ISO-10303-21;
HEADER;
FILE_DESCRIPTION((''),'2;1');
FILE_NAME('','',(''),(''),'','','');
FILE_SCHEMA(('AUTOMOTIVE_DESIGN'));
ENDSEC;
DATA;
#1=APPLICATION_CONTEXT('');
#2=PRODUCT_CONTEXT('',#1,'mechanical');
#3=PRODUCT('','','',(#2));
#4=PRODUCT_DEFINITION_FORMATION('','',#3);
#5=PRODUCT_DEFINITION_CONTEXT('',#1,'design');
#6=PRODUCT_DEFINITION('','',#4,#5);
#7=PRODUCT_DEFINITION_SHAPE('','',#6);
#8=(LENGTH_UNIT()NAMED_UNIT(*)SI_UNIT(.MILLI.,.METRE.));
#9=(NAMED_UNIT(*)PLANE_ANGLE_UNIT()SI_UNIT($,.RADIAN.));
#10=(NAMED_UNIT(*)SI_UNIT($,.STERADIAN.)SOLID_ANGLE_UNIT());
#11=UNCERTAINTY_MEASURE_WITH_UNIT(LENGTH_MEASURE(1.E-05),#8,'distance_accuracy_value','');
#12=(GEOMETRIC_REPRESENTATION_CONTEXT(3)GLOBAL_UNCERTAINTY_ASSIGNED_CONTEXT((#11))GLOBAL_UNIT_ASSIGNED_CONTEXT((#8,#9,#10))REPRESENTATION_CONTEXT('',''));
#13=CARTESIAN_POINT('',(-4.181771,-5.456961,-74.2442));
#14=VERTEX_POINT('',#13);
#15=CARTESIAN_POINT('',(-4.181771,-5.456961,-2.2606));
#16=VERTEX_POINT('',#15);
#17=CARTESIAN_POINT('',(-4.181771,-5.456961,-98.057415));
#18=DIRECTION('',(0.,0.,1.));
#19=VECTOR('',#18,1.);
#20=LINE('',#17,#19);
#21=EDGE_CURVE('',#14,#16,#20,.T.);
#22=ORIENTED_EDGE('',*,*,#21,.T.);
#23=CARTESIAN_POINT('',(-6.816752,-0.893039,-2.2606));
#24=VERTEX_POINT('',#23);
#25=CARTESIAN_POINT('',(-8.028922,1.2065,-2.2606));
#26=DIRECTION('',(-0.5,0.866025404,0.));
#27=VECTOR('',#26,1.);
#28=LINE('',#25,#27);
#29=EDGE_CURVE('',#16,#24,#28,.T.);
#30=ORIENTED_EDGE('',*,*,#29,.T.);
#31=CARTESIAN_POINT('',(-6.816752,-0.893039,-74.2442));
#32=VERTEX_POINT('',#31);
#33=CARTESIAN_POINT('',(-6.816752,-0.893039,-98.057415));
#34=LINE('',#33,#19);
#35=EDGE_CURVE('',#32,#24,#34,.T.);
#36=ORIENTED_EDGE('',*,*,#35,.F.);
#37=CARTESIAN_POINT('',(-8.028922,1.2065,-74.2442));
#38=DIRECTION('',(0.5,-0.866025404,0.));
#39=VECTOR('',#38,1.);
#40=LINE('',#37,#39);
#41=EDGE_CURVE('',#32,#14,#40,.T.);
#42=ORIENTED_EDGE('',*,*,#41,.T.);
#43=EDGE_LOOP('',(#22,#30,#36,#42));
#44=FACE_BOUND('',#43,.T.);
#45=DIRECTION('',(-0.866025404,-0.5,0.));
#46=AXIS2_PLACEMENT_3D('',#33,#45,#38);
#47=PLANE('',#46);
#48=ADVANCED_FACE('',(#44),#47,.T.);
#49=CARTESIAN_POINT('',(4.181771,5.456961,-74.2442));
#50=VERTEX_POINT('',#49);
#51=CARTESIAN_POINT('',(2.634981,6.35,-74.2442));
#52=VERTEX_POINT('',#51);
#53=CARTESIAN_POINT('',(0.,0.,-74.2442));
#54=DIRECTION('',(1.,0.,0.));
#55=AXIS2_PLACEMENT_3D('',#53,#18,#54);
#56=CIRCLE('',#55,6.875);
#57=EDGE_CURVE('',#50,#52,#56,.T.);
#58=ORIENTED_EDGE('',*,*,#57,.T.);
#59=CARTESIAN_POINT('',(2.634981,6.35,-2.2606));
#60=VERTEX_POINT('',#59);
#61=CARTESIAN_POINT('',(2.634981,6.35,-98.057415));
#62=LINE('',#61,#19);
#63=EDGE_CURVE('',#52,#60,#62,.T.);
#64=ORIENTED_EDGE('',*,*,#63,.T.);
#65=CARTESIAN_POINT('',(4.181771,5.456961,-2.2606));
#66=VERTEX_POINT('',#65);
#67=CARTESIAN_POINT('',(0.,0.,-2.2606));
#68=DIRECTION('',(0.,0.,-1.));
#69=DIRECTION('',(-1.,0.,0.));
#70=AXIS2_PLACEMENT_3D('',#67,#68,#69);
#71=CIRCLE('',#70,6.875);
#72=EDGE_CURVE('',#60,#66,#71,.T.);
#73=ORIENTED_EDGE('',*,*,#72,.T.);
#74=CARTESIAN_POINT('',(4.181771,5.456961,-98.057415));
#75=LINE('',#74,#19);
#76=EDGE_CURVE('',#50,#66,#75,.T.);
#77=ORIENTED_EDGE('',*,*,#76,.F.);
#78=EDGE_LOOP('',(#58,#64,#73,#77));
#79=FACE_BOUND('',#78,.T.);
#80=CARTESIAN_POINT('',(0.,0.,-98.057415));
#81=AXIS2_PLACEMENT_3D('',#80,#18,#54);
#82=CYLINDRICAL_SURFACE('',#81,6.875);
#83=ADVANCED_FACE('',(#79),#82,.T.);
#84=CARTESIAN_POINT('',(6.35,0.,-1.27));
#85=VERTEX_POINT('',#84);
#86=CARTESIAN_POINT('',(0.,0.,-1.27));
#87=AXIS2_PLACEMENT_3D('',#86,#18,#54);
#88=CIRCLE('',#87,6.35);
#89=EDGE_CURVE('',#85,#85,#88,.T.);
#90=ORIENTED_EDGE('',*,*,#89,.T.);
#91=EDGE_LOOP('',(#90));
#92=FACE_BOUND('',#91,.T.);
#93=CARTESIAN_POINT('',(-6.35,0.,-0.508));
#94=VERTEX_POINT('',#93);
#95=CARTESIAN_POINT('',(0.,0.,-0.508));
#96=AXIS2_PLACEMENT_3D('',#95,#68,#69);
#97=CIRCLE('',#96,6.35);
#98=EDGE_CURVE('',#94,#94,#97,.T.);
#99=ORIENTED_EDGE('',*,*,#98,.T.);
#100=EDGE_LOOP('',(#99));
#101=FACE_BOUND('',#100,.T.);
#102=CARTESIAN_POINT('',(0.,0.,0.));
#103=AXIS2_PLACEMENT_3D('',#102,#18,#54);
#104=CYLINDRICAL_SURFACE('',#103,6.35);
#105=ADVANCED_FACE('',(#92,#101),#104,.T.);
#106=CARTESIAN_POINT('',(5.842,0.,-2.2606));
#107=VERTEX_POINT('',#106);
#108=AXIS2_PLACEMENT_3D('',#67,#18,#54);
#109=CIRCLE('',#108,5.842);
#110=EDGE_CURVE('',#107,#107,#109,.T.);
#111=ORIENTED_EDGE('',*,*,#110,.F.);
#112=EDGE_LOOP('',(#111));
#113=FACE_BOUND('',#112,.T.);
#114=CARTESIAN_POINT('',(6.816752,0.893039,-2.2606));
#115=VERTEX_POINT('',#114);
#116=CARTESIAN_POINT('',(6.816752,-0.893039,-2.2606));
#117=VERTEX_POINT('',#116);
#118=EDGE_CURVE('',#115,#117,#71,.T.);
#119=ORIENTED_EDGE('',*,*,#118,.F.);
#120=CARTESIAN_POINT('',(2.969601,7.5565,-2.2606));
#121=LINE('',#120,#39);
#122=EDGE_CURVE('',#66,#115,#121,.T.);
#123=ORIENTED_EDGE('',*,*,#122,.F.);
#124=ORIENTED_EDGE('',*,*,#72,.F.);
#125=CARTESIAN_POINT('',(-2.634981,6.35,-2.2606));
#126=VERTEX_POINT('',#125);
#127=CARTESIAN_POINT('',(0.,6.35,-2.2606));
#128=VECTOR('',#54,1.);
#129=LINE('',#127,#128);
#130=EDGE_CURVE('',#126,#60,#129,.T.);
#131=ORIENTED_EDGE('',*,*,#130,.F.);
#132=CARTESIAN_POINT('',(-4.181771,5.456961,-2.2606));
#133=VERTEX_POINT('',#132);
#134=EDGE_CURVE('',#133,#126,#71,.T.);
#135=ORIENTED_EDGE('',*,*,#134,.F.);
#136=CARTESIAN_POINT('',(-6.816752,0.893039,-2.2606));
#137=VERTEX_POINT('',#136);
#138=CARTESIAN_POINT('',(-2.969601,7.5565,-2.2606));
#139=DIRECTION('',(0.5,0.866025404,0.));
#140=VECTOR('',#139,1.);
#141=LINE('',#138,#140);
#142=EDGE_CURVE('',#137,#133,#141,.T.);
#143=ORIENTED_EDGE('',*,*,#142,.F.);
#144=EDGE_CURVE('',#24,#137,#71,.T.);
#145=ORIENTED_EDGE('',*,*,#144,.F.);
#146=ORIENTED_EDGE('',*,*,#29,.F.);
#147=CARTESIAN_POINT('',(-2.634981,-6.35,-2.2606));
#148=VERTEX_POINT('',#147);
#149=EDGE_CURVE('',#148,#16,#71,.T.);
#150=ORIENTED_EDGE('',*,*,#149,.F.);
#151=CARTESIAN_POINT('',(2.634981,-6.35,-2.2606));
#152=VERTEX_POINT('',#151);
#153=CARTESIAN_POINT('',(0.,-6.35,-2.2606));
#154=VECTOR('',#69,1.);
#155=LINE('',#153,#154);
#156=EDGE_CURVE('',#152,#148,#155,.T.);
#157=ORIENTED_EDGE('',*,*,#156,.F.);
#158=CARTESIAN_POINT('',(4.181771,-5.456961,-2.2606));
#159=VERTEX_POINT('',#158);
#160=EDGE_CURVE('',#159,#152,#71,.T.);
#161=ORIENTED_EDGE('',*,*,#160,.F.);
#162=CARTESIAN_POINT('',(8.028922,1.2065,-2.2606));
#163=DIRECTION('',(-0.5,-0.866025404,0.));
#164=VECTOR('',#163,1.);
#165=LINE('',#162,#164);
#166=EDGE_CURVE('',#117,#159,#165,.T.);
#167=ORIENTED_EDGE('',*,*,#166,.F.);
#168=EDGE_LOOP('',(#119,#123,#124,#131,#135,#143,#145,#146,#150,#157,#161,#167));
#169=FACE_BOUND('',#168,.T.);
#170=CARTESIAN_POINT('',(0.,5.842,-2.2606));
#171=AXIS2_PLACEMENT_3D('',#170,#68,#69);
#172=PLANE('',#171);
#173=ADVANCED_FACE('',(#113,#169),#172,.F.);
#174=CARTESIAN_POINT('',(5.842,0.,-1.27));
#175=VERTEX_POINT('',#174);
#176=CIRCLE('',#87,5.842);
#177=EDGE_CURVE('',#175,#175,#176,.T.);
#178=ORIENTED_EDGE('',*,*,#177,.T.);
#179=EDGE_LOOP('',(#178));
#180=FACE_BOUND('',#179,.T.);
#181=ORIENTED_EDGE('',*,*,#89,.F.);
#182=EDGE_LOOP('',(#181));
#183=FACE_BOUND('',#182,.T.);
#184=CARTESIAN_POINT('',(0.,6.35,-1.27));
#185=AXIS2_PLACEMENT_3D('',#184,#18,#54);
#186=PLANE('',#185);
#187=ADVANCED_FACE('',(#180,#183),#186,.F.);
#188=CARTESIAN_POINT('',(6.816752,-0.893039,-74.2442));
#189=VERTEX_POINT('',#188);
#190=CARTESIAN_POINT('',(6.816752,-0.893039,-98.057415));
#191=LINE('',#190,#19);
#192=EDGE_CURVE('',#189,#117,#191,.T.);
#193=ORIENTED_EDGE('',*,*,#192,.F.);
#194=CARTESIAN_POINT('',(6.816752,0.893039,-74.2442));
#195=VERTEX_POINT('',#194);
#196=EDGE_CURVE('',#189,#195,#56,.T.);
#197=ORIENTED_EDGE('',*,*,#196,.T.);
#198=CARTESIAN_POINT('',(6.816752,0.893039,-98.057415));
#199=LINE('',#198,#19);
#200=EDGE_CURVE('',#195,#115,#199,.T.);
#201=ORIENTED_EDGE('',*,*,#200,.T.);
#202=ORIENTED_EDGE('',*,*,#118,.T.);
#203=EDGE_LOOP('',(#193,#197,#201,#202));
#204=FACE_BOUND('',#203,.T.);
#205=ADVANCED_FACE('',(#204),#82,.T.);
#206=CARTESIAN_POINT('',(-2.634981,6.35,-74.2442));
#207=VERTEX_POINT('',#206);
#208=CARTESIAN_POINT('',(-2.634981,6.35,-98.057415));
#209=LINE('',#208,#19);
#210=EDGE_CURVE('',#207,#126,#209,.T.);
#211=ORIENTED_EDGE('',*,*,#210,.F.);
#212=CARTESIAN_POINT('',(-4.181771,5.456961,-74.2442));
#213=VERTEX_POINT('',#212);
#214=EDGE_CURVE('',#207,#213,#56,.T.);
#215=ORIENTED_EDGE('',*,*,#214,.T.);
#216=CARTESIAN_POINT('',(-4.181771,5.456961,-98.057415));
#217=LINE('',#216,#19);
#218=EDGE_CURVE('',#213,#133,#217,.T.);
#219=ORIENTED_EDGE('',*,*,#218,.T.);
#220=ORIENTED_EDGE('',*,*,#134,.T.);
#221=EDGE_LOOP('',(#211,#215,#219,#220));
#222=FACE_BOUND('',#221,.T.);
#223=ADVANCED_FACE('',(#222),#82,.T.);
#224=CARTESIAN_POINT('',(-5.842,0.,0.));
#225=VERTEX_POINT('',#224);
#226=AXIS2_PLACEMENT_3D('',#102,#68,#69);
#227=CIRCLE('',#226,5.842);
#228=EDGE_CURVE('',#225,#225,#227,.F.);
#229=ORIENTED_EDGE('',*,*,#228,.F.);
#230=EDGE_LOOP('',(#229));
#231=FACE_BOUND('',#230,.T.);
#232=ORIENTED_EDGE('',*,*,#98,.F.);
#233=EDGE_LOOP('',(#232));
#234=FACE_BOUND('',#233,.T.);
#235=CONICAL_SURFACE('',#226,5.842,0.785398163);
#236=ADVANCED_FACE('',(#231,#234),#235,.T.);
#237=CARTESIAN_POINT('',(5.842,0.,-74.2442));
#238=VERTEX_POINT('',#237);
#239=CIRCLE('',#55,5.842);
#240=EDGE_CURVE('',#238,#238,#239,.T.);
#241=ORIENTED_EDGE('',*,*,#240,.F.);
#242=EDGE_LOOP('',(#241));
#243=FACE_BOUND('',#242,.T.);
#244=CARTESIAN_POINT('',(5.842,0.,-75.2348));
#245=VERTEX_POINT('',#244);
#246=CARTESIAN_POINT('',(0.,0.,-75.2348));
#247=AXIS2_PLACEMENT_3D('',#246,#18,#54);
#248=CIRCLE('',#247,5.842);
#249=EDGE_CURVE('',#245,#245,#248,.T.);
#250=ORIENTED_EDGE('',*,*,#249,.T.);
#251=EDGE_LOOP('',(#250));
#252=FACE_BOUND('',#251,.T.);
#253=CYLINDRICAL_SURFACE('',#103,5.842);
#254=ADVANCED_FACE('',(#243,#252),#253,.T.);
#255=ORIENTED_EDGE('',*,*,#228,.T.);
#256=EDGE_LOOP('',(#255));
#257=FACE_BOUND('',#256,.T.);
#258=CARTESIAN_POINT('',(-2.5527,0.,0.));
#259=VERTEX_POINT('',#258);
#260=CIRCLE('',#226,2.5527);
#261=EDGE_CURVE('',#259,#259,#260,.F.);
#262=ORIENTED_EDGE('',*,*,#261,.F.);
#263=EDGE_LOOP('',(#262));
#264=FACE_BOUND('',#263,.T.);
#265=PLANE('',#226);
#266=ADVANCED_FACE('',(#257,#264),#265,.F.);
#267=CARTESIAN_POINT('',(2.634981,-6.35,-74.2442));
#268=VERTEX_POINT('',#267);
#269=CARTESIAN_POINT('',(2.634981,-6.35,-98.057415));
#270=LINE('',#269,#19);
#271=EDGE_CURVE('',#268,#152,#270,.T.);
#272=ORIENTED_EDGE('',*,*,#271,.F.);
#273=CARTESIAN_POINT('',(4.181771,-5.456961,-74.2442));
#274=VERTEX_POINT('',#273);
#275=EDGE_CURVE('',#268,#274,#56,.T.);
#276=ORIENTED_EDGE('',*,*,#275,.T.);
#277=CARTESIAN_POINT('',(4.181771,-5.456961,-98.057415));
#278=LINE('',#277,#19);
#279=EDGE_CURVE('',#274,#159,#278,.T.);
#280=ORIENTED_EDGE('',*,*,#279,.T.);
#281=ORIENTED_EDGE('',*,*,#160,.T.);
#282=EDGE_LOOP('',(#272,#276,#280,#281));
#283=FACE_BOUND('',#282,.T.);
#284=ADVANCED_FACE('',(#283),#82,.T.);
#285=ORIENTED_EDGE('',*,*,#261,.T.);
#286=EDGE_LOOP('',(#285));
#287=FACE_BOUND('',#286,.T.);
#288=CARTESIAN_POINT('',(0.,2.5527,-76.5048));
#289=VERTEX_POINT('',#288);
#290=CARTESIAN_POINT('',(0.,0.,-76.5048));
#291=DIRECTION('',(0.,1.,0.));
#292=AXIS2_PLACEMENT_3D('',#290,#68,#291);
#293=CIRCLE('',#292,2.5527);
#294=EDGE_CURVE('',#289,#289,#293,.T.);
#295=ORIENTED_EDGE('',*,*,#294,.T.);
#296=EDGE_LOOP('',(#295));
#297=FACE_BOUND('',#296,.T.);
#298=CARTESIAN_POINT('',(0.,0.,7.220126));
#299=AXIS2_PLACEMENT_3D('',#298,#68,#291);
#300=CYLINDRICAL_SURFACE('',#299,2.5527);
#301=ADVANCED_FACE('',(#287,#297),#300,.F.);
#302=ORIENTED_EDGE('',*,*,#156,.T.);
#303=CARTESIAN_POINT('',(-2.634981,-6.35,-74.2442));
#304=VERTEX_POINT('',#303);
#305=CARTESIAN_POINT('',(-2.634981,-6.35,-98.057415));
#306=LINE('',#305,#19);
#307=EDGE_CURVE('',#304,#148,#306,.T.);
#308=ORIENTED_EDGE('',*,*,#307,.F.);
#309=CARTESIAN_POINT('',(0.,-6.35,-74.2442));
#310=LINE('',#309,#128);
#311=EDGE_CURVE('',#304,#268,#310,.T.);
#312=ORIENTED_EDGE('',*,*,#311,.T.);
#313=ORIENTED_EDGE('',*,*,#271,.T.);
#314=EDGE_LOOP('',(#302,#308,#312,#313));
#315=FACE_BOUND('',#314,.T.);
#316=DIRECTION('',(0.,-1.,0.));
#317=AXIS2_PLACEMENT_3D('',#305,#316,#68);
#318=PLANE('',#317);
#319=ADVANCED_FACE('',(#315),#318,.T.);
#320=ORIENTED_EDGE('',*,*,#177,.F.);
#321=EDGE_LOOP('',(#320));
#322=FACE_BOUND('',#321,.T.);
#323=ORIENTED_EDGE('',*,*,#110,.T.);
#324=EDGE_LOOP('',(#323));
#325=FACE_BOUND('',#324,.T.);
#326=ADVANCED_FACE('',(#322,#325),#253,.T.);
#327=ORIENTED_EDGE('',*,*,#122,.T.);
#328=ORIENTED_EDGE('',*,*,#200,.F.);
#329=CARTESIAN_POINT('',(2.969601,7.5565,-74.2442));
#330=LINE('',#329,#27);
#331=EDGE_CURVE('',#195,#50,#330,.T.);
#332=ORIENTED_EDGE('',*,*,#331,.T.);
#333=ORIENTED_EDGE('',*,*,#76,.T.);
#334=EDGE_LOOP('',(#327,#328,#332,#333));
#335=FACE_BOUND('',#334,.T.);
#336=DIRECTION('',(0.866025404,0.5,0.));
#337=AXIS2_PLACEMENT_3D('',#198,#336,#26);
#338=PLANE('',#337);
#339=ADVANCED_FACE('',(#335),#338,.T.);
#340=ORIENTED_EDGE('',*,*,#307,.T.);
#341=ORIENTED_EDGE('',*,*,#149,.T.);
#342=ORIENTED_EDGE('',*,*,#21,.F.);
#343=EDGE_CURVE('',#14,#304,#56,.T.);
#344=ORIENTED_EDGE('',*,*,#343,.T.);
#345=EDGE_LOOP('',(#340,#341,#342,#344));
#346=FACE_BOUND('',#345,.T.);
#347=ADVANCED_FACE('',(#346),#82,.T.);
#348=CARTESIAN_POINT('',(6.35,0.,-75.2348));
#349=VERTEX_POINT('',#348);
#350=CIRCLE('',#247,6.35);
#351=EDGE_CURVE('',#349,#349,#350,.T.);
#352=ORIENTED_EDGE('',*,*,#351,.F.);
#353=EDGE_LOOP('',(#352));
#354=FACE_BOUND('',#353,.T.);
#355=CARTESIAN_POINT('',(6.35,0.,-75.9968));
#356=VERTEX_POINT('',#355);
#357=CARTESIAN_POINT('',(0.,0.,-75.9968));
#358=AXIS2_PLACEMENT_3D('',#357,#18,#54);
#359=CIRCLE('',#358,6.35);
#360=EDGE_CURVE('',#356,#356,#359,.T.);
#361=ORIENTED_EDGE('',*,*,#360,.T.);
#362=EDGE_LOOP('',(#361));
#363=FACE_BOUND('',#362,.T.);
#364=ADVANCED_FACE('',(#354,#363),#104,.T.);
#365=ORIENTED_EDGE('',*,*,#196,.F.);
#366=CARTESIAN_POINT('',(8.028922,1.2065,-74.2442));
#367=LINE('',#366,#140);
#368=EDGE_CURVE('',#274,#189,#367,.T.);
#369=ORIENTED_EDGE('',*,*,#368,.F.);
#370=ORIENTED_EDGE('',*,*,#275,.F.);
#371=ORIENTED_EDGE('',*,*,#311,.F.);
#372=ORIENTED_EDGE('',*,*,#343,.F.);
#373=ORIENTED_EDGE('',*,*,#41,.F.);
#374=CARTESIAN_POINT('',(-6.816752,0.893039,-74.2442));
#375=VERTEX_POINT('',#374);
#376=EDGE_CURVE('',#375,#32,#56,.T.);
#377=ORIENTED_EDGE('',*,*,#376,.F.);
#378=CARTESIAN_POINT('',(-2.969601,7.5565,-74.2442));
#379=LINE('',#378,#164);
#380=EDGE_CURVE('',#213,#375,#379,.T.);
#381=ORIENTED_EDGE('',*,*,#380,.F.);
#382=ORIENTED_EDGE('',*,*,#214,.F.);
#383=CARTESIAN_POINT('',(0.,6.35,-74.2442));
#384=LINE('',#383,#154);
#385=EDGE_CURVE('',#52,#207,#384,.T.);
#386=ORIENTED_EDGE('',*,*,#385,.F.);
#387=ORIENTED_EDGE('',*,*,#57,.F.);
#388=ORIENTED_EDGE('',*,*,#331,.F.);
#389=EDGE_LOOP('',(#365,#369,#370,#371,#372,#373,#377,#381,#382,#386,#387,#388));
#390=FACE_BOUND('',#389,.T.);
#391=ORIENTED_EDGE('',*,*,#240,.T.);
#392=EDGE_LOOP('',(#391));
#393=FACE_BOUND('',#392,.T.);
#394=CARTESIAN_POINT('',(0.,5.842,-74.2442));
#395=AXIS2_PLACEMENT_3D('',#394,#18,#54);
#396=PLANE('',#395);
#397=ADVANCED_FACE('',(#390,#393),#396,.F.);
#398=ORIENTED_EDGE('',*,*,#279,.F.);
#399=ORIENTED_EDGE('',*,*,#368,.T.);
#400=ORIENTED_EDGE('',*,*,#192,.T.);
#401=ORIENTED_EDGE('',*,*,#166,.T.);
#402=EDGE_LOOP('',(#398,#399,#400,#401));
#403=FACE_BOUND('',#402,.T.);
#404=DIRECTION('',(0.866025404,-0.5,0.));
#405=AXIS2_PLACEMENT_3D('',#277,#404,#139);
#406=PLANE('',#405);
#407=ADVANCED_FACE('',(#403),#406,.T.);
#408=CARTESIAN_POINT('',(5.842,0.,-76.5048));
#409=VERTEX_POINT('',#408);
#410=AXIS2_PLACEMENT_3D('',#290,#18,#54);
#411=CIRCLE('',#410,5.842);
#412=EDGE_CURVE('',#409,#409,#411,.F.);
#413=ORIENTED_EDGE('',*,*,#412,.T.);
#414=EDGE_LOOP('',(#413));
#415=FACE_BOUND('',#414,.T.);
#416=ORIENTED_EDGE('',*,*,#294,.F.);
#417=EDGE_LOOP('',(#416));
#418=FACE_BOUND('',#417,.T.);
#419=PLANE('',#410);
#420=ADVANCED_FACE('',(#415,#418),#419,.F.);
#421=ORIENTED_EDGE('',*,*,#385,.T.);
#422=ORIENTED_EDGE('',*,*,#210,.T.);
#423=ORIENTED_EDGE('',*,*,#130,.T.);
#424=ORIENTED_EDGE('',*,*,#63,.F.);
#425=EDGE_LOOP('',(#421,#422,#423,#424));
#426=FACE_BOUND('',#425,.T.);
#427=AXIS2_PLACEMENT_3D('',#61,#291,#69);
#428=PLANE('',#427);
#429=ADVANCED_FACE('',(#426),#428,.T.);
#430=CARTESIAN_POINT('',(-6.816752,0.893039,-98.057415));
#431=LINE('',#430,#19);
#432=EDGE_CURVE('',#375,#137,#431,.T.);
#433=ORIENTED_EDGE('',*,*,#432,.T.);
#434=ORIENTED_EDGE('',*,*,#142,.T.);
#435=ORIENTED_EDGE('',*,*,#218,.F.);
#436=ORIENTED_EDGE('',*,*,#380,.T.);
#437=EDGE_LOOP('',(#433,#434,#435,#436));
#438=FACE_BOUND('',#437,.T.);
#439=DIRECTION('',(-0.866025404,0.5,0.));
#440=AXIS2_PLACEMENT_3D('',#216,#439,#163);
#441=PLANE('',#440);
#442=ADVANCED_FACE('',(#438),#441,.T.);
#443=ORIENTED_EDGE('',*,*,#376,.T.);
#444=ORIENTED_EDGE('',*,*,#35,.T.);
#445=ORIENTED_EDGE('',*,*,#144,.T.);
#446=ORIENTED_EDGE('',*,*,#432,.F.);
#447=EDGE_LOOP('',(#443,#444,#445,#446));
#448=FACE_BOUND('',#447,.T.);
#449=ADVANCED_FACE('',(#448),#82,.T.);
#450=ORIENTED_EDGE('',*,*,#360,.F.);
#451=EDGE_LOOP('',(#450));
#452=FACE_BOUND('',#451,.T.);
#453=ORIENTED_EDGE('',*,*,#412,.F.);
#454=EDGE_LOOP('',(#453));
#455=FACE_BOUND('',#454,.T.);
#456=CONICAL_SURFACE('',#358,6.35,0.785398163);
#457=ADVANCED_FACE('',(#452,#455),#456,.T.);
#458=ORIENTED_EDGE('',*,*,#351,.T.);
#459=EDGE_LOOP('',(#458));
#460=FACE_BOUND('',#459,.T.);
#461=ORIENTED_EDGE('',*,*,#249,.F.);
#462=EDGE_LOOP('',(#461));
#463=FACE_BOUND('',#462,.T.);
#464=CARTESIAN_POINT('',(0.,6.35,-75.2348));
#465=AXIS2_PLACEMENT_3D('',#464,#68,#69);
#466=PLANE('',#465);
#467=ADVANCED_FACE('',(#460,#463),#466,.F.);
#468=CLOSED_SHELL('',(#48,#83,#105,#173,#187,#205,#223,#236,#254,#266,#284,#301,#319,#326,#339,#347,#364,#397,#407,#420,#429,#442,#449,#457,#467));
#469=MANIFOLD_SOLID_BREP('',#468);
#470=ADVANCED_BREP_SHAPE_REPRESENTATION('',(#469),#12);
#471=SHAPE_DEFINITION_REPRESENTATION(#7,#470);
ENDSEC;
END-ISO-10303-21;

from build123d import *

# Parameters (mm, degrees)
CUT_EXTRUDE1_START = -76.5048
SKETCH3_R          = 7.62
CUT_EXTRUDE1_DEPTH = 76.5048
SKETCH4_R          = 2.5527
CUT_EXTRUDE2_DEPTH = 76.5048
CHAMFER1_SIZE      = 0.508


with BuildPart() as part:
    # Sketch2 → Revolve1 (revolve)
    with BuildSketch(Plane(origin=(0, 0, 0), x_dir=(0, 0, -1), z_dir=(1, 0, 0)), mode=Mode.PRIVATE) as revolve1_sk:
        Polygon((1.27, 6.35), (1.27, 5.842), (2.2606, 5.842), (2.2606, 7.62), (74.2442, 7.62), (74.2442, 5.842), (75.2348, 5.842), (75.2348, 6.35), (76.5048, 6.35), (76.5048, 0), (0, 0), (0, 6.35), align=None)
    revolve(revolve1_sk.sketch.rotate(Axis((0, 0, 0), (0, 0, -1)), 90), axis=Axis((0, 0, 0), (0, 0, -1)))

    # Sketch3 → Cut-Extrude1 (cut)
    with BuildSketch(Plane.XY.offset(CUT_EXTRUDE1_START)):
        Circle(SKETCH3_R)
        with BuildLine():
            Line((6.816751826, 0.893039494), (4.181770802, 5.456960506))
            ThreePointArc((4.181770802, 5.456960506), (3.4375, 5.953924651), (2.634981025, 6.35))
            Line((2.634981025, 6.35), (-2.634981025, 6.35))
            ThreePointArc((-2.634981025, 6.35), (-3.4375, 5.953924651), (-4.181770802, 5.456960506))
            Line((-4.181770802, 5.456960506), (-6.816751826, 0.893039494))
            ThreePointArc((-6.816751826, 0.893039494), (-6.875, 0), (-6.816751826, -0.893039494))
            Line((-6.816751826, -0.893039494), (-4.181770802, -5.456960506))
            ThreePointArc((-4.181770802, -5.456960506), (-3.4375, -5.953924651), (-2.634981025, -6.35))
            Line((-2.634981025, -6.35), (2.634981025, -6.35))
            ThreePointArc((2.634981025, -6.35), (3.4375, -5.953924651), (4.181770802, -5.456960506))
            Line((4.181770802, -5.456960506), (6.816751826, -0.893039494))
            ThreePointArc((6.816751826, -0.893039494), (6.875, 0), (6.816751826, 0.893039494))
        make_face(mode=Mode.SUBTRACT)
    extrude(amount=CUT_EXTRUDE1_DEPTH, mode=Mode.SUBTRACT)

    # Sketch4 → Cut-Extrude2 (cut)
    with BuildSketch(Plane(origin=(0, 0, -76.5048), x_dir=(-1, 0, 0), z_dir=(0, 0, -1))):
        with Locations(Location((0, 0, 0), (0, 0, 90))):
            Circle(SKETCH4_R)
    extrude(amount=-CUT_EXTRUDE2_DEPTH, mode=Mode.SUBTRACT)

    # Chamfer1
    chamfer1_edges = [part.edges().sort_by_distance(p)[0] for p in [
        (-6.35, 0, 0),
        (-6.35, 0, -76.5048),
    ]]
    chamfer(chamfer1_edges, length=CHAMFER1_SIZE)


solid = part.part
